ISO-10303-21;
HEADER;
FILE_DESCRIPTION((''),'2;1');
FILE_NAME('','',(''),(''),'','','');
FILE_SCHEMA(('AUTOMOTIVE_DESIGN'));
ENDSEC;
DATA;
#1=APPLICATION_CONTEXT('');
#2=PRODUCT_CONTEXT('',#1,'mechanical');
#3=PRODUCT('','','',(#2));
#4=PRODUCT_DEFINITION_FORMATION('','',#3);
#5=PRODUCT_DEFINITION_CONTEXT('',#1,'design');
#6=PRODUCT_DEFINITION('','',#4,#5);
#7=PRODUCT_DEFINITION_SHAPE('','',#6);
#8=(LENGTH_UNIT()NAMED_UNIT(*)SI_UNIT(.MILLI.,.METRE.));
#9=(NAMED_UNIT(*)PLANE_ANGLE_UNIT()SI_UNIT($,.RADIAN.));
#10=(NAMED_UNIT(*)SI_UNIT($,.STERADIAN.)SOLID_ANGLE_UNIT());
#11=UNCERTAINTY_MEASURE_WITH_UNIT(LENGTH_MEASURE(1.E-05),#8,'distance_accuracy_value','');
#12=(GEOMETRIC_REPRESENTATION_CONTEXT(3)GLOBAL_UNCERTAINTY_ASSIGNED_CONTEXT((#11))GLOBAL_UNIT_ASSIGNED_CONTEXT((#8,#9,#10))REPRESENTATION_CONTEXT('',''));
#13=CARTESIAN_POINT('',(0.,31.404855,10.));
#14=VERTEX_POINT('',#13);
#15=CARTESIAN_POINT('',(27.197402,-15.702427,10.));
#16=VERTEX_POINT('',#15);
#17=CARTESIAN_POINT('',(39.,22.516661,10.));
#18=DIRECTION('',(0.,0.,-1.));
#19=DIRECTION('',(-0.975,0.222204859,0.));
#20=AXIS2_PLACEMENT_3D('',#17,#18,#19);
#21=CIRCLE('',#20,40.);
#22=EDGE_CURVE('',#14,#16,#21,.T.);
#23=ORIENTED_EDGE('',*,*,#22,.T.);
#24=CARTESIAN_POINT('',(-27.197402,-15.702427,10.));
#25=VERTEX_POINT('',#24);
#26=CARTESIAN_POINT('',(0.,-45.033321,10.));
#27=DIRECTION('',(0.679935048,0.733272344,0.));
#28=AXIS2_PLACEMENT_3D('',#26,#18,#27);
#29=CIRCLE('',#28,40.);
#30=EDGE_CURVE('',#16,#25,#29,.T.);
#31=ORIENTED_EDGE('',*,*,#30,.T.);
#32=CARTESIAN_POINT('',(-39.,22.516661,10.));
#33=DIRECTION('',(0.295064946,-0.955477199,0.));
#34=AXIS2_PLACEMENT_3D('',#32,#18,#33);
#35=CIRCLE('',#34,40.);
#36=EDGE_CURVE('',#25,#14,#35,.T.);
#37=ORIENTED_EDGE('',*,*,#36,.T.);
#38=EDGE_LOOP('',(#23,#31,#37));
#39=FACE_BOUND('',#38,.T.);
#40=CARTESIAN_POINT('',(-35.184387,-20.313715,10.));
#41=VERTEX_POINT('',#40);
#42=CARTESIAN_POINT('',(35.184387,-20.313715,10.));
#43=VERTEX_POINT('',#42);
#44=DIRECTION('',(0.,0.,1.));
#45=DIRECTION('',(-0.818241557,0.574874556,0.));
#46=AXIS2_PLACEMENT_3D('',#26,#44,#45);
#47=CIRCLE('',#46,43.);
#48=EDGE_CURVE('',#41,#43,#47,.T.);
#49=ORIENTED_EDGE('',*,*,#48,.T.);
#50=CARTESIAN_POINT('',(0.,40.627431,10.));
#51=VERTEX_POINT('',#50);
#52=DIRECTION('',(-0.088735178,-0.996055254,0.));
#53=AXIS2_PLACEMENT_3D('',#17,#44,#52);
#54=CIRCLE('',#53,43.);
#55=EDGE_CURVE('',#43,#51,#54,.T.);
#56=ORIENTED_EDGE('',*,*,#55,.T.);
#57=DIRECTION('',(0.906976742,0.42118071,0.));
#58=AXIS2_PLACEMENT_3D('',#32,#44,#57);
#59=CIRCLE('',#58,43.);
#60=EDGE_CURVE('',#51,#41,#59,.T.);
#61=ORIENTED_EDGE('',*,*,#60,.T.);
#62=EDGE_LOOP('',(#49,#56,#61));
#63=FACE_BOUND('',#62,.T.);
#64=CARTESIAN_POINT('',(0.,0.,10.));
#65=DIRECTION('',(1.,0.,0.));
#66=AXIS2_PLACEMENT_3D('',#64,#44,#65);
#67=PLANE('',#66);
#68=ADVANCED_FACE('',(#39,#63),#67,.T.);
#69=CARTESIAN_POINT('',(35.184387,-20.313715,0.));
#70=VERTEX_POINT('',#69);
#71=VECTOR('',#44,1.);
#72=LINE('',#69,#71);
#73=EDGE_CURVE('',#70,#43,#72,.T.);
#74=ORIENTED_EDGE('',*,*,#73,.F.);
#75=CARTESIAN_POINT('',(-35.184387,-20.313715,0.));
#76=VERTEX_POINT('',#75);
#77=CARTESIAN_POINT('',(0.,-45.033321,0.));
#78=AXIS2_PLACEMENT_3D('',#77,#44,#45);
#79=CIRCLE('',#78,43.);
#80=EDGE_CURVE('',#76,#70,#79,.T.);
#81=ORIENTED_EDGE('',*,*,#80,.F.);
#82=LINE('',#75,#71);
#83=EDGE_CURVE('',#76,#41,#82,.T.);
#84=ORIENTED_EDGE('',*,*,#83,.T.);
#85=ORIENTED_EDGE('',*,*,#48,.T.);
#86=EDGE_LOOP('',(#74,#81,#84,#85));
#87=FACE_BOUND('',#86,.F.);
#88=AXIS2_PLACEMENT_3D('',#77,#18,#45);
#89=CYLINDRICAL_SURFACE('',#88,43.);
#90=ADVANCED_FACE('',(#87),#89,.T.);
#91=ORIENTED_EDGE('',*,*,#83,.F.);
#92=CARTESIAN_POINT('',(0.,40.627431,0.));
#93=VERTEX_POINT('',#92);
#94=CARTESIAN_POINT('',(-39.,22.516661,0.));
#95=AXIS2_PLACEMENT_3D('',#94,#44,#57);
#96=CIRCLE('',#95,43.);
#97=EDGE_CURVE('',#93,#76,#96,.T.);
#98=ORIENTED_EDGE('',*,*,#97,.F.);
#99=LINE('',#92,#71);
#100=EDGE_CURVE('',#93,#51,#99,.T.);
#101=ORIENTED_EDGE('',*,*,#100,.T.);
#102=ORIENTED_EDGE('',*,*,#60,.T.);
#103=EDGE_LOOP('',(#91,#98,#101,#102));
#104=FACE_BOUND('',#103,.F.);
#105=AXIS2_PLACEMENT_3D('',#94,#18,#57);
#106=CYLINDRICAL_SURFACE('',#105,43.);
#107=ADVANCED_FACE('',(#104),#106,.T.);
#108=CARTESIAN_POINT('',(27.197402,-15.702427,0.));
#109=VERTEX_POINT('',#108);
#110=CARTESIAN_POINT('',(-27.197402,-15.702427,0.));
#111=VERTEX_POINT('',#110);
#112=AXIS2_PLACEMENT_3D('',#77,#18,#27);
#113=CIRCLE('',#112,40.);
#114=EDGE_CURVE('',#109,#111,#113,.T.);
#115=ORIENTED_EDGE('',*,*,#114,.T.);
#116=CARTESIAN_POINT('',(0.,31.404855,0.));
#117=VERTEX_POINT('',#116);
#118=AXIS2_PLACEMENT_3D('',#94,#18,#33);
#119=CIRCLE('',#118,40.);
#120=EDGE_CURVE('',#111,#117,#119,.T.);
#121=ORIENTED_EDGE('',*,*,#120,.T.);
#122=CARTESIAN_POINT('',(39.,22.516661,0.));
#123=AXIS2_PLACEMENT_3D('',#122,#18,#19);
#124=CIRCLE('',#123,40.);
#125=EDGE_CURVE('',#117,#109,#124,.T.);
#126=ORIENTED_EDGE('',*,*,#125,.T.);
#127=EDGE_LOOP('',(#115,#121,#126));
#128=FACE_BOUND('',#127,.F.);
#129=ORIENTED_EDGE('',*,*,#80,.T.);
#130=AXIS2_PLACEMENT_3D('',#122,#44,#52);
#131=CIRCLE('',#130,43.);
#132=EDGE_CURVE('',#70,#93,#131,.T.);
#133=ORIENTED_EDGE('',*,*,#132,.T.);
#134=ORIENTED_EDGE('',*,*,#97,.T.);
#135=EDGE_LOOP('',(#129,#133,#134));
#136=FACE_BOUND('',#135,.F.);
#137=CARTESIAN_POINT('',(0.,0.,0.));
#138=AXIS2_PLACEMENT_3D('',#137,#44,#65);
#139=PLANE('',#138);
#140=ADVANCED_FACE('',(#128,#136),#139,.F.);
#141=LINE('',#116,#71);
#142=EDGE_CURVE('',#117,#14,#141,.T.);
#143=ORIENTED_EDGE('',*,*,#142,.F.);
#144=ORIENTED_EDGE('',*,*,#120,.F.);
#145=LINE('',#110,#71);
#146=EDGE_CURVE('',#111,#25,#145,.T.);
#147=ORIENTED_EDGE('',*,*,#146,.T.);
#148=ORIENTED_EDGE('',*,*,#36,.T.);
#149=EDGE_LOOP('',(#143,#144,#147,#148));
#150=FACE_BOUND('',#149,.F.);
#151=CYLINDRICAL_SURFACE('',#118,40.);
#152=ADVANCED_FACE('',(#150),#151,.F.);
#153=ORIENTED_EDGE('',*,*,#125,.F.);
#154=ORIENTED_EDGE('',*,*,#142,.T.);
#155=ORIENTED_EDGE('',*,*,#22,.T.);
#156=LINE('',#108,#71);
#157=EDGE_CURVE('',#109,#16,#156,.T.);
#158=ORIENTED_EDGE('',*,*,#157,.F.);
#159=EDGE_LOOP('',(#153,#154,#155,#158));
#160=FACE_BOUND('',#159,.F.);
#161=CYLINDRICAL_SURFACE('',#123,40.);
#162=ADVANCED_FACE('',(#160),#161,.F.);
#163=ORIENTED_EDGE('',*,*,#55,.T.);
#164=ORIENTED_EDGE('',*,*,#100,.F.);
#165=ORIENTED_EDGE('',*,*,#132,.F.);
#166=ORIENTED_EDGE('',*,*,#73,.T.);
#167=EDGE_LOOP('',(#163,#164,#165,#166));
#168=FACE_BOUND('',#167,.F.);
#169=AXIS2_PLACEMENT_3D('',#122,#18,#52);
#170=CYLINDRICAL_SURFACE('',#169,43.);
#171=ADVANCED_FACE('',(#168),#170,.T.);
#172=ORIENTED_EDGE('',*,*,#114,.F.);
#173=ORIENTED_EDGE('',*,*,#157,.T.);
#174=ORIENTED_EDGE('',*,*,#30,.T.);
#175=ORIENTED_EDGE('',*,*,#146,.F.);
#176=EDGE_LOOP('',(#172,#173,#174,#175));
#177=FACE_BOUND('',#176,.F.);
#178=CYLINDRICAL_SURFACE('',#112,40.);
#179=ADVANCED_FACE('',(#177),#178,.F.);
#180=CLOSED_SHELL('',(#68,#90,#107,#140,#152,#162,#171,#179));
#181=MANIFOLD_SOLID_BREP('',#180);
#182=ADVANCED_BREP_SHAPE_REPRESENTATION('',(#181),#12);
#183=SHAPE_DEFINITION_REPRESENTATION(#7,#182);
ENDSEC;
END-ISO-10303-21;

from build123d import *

# Parameters (mm, degrees)
F1_DEPTH = 10


with BuildPart() as f1:
    # F0 (on Top) → F1 (new body)
    with BuildSketch(Plane.XY):
        with BuildLine():
            ThreePointArc((27.197402, -15.702427), (73.641016, 42.51666), (0, 31.404855))
            ThreePointArc((0, 31.404855), (-73.641016, 42.51666), (-27.197402, -15.702427))
            ThreePointArc((-27.197402, -15.702427), (0, -85.033321), (27.197402, -15.702427))
        make_face()
        with BuildLine():
            ThreePointArc((35.184387, -20.313715), (76.239092, 44.01666), (0, 40.627431))
            ThreePointArc((0, 40.627431), (-76.239092, 44.01666), (-35.184387, -20.313715))
            ThreePointArc((-35.184387, -20.313715), (0, -88.033321), (35.184387, -20.313715))
        make_face()
        with BuildLine():
            ThreePointArc((-27.197402, -15.702427), (-73.641016, 42.51666), (0, 31.404855))
            ThreePointArc((0, 31.404855), (73.641016, 42.51666), (27.197402, -15.702427))
            ThreePointArc((27.197402, -15.702427), (0, -85.033321), (-27.197402, -15.702427))
        make_face(mode=Mode.SUBTRACT)
    extrude(amount=F1_DEPTH)


solid = f1.part
